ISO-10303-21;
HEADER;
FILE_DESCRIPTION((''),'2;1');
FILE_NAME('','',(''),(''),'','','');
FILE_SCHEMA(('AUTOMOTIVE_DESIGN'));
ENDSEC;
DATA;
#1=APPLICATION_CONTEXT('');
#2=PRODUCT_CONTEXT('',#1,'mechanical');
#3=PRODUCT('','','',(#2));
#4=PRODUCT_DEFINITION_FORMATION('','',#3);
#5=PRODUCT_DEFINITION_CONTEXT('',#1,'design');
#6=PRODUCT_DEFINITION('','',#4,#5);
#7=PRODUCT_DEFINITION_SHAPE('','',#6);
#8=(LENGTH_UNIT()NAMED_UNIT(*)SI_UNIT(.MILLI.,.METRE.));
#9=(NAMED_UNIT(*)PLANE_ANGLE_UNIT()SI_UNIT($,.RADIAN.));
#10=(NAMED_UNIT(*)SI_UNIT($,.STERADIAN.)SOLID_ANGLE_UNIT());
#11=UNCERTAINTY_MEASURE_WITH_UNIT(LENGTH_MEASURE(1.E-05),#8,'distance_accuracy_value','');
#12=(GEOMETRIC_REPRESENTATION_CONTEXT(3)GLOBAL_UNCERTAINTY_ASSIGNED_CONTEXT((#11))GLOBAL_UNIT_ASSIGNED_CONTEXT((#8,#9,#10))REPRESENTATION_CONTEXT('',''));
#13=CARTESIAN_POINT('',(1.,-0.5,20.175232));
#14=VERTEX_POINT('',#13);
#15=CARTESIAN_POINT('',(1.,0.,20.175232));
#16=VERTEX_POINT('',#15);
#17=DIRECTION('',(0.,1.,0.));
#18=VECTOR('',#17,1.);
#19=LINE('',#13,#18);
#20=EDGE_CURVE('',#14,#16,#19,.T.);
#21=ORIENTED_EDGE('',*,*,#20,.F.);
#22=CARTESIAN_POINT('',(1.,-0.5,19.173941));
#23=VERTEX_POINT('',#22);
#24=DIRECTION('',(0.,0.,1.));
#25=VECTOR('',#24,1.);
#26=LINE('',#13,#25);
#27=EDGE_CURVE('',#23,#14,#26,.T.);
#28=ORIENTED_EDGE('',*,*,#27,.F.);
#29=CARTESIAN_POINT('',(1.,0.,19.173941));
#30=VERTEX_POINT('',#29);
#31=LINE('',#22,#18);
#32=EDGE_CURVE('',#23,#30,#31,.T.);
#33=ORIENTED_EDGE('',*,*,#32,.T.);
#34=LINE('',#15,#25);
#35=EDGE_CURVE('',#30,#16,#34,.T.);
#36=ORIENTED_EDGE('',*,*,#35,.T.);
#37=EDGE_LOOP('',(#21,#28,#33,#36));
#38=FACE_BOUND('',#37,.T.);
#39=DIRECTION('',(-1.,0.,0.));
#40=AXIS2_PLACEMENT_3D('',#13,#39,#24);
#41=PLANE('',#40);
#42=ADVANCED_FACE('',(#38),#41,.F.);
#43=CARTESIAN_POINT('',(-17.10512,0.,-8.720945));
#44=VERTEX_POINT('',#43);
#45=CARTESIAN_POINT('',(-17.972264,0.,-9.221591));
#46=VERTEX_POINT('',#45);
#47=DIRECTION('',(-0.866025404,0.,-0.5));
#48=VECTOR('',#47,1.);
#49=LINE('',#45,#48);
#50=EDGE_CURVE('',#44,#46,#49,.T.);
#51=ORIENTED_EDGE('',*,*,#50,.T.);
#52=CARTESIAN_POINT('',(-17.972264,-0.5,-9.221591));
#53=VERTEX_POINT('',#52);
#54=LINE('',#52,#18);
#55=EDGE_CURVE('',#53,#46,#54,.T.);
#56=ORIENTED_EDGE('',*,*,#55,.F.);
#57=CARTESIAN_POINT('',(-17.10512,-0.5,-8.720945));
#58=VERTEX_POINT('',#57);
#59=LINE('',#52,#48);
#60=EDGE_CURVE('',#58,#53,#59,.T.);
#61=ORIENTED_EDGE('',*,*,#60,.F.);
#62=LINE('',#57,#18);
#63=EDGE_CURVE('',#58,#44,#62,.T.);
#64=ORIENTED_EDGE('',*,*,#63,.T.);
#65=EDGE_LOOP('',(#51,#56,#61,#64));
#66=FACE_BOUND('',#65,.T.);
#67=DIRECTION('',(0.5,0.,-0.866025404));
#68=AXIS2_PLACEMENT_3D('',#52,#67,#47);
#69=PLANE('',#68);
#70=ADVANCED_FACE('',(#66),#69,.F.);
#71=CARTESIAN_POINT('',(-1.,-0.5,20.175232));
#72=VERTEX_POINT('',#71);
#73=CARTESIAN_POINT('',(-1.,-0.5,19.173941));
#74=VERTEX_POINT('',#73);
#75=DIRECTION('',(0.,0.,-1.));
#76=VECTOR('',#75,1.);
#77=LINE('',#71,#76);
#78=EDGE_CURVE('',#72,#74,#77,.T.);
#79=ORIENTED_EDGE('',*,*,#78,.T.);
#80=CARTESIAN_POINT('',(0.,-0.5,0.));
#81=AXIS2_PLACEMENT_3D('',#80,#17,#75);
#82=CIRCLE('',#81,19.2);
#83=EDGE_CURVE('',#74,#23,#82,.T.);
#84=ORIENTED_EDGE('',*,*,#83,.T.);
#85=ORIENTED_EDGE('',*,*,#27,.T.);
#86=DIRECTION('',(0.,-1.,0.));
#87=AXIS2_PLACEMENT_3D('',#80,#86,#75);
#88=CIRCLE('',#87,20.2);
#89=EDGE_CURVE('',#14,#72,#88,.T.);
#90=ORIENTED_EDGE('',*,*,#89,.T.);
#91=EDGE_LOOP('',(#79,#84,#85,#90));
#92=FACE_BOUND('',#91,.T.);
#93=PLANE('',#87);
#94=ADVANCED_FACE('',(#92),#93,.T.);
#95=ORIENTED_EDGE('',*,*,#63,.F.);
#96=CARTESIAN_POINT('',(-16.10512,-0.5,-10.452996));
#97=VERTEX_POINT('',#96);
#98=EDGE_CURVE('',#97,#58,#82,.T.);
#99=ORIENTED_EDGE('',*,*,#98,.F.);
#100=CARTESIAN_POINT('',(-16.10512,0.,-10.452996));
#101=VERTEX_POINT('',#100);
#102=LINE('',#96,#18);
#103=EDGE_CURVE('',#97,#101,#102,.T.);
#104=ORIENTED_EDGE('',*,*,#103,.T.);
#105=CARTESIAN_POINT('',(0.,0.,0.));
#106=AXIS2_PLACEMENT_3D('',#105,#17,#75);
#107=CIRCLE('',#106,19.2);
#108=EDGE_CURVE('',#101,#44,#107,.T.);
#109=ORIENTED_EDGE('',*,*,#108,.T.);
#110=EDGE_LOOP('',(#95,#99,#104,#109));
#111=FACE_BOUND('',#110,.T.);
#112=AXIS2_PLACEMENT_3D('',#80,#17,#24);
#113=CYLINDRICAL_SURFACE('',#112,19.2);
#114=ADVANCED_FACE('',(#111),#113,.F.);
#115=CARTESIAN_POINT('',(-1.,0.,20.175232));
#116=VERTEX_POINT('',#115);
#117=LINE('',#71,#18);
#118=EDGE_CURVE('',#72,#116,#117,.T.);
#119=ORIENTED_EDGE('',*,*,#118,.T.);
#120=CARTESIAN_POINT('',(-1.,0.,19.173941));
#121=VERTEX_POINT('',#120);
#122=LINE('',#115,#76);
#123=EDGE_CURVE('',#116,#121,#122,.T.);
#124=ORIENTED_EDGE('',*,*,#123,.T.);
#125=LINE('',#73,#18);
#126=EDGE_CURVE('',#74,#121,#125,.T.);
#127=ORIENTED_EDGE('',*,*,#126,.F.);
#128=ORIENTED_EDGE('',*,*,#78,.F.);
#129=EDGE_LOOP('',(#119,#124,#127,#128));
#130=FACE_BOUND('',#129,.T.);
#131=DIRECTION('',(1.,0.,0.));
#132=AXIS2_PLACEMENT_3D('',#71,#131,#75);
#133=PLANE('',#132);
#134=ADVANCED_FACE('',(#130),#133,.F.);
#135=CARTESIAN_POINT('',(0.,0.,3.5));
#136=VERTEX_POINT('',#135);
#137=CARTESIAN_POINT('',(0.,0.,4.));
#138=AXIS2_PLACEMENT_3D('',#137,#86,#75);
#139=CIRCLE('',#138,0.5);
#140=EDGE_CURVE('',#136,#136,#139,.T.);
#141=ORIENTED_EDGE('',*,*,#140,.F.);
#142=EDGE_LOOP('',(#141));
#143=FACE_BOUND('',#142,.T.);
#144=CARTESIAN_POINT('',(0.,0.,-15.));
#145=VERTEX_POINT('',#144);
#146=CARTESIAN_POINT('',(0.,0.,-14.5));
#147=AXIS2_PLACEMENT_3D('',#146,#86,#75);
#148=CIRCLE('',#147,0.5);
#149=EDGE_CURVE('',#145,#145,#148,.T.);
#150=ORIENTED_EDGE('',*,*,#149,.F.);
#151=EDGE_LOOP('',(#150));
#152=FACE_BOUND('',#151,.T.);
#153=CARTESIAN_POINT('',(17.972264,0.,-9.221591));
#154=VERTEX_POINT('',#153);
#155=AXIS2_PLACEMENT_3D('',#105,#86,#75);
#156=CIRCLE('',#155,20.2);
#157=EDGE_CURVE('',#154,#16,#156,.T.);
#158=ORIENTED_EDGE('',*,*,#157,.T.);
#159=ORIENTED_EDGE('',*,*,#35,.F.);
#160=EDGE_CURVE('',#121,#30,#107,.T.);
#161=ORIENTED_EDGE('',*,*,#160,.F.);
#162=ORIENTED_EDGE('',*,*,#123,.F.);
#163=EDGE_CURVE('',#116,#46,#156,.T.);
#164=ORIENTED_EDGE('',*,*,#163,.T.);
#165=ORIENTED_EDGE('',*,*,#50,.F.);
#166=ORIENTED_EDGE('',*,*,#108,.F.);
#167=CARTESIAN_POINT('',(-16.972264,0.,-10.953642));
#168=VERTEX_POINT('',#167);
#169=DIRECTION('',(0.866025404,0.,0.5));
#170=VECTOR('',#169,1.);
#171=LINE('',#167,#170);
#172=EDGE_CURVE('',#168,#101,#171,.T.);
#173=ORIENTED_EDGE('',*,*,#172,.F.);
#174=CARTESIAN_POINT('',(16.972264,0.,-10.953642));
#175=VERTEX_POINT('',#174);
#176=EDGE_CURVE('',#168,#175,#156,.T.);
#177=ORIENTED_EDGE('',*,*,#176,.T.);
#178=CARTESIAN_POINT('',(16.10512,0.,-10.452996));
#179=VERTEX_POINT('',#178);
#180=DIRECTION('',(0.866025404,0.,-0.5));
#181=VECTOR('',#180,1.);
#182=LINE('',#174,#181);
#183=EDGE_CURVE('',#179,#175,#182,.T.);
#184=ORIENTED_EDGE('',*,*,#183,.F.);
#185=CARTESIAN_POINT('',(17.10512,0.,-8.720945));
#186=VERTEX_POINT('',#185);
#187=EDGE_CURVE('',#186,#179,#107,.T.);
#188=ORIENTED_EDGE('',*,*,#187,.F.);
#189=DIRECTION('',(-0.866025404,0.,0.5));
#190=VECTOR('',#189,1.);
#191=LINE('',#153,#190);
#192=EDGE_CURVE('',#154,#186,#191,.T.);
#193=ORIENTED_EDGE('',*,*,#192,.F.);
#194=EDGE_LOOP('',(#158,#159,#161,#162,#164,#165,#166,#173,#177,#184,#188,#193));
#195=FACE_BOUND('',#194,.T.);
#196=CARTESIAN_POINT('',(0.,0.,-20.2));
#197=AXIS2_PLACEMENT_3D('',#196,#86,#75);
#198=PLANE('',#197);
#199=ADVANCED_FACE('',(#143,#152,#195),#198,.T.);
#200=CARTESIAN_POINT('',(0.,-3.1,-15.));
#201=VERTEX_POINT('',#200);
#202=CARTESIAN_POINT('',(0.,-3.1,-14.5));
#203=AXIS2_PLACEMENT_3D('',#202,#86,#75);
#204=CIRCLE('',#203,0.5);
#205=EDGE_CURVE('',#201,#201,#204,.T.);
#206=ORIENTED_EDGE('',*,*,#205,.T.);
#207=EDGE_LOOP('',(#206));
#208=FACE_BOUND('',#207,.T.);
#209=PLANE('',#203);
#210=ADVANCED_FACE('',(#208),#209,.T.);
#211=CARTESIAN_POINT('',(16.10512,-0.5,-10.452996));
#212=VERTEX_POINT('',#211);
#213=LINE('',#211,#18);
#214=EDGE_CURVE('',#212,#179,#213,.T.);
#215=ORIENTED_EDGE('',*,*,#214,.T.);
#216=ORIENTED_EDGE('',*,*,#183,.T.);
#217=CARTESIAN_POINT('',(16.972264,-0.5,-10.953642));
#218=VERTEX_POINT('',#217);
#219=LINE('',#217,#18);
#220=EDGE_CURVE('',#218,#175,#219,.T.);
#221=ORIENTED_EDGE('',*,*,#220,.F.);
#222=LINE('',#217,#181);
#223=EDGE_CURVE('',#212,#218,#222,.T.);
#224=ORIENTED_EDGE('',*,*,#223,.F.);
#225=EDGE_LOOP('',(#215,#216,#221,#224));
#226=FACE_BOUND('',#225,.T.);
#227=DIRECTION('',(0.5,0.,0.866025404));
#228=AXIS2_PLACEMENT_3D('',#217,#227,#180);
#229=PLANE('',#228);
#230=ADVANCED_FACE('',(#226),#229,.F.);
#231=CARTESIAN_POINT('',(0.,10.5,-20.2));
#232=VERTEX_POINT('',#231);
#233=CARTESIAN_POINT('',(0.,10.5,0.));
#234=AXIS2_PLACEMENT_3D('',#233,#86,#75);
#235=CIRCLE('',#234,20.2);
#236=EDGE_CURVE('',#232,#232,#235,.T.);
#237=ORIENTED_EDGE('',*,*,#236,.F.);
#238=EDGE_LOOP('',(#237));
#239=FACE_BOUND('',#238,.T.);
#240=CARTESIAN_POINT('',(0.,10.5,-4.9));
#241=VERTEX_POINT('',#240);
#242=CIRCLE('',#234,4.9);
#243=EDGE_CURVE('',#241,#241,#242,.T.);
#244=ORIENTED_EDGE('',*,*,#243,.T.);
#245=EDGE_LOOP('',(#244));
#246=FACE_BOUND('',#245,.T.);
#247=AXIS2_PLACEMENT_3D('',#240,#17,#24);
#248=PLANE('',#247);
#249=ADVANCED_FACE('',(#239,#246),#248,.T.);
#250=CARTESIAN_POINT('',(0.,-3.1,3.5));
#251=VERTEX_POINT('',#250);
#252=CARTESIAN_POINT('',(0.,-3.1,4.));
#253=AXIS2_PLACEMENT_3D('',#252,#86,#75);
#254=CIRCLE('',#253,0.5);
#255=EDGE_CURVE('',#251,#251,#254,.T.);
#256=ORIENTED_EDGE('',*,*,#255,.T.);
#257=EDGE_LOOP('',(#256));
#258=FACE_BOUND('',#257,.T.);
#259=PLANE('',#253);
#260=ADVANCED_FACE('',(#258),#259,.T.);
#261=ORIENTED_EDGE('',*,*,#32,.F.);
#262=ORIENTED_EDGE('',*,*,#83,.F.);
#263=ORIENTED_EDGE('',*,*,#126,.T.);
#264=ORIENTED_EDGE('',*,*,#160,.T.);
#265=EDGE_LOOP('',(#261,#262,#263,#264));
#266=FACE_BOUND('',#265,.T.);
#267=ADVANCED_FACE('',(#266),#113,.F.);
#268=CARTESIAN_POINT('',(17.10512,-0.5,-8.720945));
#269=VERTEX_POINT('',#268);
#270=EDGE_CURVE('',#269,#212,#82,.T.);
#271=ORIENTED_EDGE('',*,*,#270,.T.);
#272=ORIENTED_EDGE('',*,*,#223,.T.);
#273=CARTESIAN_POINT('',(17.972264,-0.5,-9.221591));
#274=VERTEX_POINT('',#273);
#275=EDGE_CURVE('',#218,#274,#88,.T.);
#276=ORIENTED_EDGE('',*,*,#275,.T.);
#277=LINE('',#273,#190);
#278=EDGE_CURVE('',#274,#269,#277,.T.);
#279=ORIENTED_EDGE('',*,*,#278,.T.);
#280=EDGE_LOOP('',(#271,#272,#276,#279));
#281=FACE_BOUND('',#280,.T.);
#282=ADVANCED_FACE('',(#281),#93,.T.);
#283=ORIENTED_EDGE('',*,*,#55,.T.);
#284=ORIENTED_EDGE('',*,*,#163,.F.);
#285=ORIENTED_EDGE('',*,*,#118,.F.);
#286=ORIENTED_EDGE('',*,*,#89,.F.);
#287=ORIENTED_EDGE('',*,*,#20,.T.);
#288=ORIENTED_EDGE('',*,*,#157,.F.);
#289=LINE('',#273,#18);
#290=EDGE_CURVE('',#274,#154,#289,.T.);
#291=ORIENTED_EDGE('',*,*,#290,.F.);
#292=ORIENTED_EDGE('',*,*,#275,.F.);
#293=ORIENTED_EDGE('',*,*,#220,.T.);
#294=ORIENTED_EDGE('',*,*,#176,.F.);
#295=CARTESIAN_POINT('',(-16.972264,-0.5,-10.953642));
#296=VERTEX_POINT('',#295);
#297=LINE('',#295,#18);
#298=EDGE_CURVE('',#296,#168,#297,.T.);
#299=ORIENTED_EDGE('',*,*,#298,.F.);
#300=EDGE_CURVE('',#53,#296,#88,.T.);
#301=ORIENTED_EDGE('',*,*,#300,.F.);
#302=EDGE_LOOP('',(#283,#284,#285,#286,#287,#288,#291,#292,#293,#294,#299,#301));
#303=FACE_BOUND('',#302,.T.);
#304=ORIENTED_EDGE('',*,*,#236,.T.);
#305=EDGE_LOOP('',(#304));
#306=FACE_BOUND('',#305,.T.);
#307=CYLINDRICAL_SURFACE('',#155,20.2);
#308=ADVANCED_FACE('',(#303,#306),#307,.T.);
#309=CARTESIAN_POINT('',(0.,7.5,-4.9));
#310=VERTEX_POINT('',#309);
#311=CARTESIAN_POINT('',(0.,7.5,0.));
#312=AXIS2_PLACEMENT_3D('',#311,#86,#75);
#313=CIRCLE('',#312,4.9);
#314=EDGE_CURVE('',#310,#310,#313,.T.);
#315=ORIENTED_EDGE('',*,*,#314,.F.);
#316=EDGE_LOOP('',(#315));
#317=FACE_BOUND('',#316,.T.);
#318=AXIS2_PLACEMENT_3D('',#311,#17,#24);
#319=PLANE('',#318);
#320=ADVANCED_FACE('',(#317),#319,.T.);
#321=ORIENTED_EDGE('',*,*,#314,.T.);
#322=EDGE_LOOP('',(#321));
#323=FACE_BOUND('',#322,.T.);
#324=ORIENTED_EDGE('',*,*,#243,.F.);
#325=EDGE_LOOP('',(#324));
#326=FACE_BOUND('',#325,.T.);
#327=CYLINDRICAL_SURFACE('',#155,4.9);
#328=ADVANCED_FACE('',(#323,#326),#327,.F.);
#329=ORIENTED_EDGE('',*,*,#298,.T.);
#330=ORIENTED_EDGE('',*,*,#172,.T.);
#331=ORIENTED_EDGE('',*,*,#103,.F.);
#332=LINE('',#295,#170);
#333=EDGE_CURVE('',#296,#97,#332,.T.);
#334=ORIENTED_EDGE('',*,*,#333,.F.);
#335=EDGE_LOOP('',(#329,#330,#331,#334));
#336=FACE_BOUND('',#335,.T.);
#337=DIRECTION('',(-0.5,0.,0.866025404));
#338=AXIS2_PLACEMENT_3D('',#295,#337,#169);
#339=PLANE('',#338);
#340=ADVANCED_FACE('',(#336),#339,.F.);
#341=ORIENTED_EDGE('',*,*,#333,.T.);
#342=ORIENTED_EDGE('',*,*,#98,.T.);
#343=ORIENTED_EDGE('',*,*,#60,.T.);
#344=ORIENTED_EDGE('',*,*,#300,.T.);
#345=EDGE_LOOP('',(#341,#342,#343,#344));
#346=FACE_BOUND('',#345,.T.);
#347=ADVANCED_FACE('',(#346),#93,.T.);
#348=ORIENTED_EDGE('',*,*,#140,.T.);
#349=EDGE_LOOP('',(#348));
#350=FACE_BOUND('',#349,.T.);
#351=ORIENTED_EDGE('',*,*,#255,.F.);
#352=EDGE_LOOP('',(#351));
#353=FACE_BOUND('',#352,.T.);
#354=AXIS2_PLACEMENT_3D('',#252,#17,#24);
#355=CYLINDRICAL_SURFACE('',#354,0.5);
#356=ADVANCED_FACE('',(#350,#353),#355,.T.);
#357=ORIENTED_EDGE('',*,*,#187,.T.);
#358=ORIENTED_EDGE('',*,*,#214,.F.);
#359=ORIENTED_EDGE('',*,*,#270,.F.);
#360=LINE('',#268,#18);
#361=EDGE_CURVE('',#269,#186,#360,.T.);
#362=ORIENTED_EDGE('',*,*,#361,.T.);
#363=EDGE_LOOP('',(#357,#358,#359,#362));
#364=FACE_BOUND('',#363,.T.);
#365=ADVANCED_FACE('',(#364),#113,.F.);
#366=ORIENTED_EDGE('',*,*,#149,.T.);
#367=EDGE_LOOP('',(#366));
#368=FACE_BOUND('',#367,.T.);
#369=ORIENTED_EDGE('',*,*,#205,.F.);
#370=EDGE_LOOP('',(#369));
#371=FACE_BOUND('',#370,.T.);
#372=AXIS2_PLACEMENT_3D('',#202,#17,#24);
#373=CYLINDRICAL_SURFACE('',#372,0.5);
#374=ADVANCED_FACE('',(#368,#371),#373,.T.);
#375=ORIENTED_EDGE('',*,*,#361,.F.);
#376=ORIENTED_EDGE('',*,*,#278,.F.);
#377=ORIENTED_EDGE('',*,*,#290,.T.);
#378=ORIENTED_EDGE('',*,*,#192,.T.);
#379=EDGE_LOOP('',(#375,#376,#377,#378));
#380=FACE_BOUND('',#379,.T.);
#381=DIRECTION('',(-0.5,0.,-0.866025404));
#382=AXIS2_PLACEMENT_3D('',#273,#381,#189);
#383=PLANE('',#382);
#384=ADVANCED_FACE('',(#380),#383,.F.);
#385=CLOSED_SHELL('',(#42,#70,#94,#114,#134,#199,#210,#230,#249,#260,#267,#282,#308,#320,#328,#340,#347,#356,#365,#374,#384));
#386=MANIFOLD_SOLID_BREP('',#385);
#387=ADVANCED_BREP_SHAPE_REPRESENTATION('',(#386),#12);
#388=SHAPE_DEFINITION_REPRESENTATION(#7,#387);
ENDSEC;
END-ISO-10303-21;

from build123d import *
from build123d.topology import SkipClean

# Parameters (mm, degrees)
BOSS_EXTRUDE1_START = 0.5
BOSS_EXTRUDE1_DEPTH = 0.5
SKETCH3_R           = 0.5
BOSS_EXTRUDE2_DEPTH = 3.1


with BuildPart() as part:
    # Sketch1 → Revolve1 (revolve)
    with BuildSketch(Plane(origin=(0, 0, 0), x_dir=(0, 0, -1), z_dir=(1, 0, 0))):
        Polygon((20.2, 10.5), (20.2, 0), (0, 0), (0, 7.5), (4.9, 7.5), (4.9, 10.5), align=None)
    revolve(axis=Axis((0, 0, 0), (0, 1, 0)))

    # Sketch2 → Boss-Extrude1 (add)
    with SkipClean():  # the faces are left unmerged after this step: merging them gives an invalid solid
        with BuildSketch(Plane.XZ.offset(BOSS_EXTRUDE1_START)):
            with BuildLine():
                Line((-1, 20.175232341), (-1, 19.173940649))
                ThreePointArc((-1, 19.173940649), (0, 19.2), (1, 19.173940649))
                Line((1, 19.173940649), (1, 20.175232341))
                ThreePointArc((1, 20.175232341), (0, 20.2), (-1, 20.175232341))
            make_face()
            with BuildLine():
                Line((17.972263734, -9.221590767), (17.105119692, -8.720944921))
                ThreePointArc((17.105119692, -8.720944921), (16.627687753, -9.6), (16.105119692, -10.452995728))
                Line((16.105119692, -10.452995728), (16.972263734, -10.953641574))
                ThreePointArc((16.972263734, -10.953641574), (17.493713156, -10.1), (17.972263734, -9.221590767))
            make_face()
            with BuildLine():
                Line((-16.972263734, -10.953641574), (-16.105119692, -10.452995728))
                ThreePointArc((-16.105119692, -10.452995728), (-16.627687753, -9.6), (-17.105119692, -8.720944921))
                Line((-17.105119692, -8.720944921), (-17.972263734, -9.221590767))
                ThreePointArc((-17.972263734, -9.221590767), (-17.493713156, -10.1), (-16.972263734, -10.953641574))
            make_face()
        extrude(amount=-BOSS_EXTRUDE1_DEPTH)

    # Sketch3 → Boss-Extrude2 (add)
    with SkipClean():  # the faces are left unmerged after this step: merging them gives an invalid solid
        with BuildSketch(Plane.XZ):
            with Locations(Location((0, 4, 0), (0, 0, 270))):
                Circle(SKETCH3_R)
            with Locations(Location((0, -14.5, 0), (0, 0, 270))):
                Circle(SKETCH3_R)
        extrude(amount=BOSS_EXTRUDE2_DEPTH)


solid = part.part
